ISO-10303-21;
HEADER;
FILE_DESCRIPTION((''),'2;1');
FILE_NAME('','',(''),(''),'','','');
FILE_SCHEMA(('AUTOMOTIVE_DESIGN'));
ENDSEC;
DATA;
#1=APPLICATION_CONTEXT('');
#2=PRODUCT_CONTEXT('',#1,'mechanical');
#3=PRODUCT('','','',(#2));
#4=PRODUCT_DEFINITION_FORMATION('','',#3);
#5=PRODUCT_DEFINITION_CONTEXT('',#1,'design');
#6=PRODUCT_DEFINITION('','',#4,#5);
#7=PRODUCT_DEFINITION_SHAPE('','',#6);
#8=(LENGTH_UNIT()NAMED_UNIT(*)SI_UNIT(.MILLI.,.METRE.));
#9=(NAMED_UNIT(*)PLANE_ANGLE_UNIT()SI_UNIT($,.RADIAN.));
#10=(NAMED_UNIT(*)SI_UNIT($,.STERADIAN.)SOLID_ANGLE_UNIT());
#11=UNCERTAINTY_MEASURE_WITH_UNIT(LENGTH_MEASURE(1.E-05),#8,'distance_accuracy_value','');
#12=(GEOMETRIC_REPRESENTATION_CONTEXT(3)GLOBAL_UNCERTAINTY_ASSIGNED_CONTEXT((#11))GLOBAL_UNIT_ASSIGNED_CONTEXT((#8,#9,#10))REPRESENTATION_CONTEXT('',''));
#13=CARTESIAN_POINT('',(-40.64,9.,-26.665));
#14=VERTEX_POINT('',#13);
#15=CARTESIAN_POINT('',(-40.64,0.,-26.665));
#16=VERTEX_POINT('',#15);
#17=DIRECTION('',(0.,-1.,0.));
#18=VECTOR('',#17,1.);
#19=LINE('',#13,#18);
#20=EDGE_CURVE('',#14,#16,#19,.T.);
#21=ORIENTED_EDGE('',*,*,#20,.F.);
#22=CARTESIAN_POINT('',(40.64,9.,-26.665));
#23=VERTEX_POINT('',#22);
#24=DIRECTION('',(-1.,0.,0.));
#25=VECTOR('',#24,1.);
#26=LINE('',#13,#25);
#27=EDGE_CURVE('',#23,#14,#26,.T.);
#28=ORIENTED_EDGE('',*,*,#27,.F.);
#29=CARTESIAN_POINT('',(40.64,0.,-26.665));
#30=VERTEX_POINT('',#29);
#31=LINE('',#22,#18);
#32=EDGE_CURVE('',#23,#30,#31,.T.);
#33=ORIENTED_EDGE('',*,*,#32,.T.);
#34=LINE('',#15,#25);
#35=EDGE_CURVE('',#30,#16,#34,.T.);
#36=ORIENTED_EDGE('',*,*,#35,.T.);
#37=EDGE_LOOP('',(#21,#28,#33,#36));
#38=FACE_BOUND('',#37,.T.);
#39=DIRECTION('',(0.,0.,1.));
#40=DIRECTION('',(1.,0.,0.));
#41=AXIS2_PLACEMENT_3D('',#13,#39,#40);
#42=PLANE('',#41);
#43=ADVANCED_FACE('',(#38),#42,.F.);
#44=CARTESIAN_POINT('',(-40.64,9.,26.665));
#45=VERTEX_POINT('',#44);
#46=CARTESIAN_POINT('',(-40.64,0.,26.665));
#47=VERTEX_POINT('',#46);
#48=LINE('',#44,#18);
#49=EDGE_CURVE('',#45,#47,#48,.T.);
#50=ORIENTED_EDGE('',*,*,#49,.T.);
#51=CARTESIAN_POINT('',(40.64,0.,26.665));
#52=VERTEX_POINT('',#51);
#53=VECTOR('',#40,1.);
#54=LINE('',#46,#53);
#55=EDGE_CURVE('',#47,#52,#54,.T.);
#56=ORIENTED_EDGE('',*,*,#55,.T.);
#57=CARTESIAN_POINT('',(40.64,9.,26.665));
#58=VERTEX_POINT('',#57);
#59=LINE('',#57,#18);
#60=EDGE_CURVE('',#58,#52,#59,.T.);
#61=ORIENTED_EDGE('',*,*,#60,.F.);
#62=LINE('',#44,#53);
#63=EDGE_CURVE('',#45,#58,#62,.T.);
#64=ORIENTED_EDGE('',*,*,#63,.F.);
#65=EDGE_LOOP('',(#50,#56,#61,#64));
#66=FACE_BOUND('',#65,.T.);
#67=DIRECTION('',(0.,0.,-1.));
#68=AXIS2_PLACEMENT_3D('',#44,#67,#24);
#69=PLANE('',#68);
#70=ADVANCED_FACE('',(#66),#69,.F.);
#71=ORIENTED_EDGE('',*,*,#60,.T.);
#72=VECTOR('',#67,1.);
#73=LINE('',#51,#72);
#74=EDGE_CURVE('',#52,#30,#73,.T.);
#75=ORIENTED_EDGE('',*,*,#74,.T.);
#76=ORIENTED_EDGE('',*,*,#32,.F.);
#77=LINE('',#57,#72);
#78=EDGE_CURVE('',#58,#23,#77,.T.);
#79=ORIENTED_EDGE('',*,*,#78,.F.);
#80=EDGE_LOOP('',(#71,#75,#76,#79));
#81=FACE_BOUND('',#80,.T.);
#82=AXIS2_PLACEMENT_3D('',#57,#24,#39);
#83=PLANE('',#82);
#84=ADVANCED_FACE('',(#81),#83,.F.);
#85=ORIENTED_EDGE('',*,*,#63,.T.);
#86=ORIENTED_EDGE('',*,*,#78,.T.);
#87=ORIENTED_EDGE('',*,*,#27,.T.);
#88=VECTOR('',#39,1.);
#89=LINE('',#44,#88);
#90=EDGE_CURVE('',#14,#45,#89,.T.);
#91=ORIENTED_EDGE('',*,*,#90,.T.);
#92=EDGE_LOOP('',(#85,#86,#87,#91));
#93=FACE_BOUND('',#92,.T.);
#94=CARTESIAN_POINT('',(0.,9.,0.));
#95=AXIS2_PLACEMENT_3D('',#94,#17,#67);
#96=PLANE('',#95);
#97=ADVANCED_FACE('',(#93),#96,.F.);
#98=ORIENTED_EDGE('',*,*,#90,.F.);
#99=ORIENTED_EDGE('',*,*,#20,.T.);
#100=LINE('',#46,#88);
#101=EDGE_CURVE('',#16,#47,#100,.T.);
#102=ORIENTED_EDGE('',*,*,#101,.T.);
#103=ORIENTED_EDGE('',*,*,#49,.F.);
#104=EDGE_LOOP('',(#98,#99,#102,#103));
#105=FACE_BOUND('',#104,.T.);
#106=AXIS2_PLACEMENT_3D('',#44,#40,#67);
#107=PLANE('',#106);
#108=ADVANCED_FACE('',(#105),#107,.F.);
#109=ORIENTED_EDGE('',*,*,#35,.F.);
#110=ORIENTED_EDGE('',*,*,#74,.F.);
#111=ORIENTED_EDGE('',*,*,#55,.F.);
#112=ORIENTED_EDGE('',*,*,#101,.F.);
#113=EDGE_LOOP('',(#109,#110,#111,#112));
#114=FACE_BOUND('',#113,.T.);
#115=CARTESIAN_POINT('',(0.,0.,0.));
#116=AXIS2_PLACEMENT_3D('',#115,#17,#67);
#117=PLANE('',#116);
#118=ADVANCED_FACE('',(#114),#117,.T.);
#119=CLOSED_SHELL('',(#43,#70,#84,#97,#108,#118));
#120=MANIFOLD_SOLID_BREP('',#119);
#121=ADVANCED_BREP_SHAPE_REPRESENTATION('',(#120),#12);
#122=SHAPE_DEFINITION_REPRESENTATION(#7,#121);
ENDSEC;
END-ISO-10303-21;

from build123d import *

# Parameters (mm, degrees)
SKETCH1_W           = 81.28
SKETCH1_H           = 53.33
BOSS_EXTRUDE1_DEPTH = 9


with BuildPart() as part:
    # Sketch1 → Boss-Extrude1 (new body)
    with BuildSketch(Plane(origin=(0, 0, 0), x_dir=(1, 0, 0), z_dir=(0, 1, 0))):
        Rectangle(SKETCH1_W, SKETCH1_H)
    extrude(amount=BOSS_EXTRUDE1_DEPTH)


solid = part.part
